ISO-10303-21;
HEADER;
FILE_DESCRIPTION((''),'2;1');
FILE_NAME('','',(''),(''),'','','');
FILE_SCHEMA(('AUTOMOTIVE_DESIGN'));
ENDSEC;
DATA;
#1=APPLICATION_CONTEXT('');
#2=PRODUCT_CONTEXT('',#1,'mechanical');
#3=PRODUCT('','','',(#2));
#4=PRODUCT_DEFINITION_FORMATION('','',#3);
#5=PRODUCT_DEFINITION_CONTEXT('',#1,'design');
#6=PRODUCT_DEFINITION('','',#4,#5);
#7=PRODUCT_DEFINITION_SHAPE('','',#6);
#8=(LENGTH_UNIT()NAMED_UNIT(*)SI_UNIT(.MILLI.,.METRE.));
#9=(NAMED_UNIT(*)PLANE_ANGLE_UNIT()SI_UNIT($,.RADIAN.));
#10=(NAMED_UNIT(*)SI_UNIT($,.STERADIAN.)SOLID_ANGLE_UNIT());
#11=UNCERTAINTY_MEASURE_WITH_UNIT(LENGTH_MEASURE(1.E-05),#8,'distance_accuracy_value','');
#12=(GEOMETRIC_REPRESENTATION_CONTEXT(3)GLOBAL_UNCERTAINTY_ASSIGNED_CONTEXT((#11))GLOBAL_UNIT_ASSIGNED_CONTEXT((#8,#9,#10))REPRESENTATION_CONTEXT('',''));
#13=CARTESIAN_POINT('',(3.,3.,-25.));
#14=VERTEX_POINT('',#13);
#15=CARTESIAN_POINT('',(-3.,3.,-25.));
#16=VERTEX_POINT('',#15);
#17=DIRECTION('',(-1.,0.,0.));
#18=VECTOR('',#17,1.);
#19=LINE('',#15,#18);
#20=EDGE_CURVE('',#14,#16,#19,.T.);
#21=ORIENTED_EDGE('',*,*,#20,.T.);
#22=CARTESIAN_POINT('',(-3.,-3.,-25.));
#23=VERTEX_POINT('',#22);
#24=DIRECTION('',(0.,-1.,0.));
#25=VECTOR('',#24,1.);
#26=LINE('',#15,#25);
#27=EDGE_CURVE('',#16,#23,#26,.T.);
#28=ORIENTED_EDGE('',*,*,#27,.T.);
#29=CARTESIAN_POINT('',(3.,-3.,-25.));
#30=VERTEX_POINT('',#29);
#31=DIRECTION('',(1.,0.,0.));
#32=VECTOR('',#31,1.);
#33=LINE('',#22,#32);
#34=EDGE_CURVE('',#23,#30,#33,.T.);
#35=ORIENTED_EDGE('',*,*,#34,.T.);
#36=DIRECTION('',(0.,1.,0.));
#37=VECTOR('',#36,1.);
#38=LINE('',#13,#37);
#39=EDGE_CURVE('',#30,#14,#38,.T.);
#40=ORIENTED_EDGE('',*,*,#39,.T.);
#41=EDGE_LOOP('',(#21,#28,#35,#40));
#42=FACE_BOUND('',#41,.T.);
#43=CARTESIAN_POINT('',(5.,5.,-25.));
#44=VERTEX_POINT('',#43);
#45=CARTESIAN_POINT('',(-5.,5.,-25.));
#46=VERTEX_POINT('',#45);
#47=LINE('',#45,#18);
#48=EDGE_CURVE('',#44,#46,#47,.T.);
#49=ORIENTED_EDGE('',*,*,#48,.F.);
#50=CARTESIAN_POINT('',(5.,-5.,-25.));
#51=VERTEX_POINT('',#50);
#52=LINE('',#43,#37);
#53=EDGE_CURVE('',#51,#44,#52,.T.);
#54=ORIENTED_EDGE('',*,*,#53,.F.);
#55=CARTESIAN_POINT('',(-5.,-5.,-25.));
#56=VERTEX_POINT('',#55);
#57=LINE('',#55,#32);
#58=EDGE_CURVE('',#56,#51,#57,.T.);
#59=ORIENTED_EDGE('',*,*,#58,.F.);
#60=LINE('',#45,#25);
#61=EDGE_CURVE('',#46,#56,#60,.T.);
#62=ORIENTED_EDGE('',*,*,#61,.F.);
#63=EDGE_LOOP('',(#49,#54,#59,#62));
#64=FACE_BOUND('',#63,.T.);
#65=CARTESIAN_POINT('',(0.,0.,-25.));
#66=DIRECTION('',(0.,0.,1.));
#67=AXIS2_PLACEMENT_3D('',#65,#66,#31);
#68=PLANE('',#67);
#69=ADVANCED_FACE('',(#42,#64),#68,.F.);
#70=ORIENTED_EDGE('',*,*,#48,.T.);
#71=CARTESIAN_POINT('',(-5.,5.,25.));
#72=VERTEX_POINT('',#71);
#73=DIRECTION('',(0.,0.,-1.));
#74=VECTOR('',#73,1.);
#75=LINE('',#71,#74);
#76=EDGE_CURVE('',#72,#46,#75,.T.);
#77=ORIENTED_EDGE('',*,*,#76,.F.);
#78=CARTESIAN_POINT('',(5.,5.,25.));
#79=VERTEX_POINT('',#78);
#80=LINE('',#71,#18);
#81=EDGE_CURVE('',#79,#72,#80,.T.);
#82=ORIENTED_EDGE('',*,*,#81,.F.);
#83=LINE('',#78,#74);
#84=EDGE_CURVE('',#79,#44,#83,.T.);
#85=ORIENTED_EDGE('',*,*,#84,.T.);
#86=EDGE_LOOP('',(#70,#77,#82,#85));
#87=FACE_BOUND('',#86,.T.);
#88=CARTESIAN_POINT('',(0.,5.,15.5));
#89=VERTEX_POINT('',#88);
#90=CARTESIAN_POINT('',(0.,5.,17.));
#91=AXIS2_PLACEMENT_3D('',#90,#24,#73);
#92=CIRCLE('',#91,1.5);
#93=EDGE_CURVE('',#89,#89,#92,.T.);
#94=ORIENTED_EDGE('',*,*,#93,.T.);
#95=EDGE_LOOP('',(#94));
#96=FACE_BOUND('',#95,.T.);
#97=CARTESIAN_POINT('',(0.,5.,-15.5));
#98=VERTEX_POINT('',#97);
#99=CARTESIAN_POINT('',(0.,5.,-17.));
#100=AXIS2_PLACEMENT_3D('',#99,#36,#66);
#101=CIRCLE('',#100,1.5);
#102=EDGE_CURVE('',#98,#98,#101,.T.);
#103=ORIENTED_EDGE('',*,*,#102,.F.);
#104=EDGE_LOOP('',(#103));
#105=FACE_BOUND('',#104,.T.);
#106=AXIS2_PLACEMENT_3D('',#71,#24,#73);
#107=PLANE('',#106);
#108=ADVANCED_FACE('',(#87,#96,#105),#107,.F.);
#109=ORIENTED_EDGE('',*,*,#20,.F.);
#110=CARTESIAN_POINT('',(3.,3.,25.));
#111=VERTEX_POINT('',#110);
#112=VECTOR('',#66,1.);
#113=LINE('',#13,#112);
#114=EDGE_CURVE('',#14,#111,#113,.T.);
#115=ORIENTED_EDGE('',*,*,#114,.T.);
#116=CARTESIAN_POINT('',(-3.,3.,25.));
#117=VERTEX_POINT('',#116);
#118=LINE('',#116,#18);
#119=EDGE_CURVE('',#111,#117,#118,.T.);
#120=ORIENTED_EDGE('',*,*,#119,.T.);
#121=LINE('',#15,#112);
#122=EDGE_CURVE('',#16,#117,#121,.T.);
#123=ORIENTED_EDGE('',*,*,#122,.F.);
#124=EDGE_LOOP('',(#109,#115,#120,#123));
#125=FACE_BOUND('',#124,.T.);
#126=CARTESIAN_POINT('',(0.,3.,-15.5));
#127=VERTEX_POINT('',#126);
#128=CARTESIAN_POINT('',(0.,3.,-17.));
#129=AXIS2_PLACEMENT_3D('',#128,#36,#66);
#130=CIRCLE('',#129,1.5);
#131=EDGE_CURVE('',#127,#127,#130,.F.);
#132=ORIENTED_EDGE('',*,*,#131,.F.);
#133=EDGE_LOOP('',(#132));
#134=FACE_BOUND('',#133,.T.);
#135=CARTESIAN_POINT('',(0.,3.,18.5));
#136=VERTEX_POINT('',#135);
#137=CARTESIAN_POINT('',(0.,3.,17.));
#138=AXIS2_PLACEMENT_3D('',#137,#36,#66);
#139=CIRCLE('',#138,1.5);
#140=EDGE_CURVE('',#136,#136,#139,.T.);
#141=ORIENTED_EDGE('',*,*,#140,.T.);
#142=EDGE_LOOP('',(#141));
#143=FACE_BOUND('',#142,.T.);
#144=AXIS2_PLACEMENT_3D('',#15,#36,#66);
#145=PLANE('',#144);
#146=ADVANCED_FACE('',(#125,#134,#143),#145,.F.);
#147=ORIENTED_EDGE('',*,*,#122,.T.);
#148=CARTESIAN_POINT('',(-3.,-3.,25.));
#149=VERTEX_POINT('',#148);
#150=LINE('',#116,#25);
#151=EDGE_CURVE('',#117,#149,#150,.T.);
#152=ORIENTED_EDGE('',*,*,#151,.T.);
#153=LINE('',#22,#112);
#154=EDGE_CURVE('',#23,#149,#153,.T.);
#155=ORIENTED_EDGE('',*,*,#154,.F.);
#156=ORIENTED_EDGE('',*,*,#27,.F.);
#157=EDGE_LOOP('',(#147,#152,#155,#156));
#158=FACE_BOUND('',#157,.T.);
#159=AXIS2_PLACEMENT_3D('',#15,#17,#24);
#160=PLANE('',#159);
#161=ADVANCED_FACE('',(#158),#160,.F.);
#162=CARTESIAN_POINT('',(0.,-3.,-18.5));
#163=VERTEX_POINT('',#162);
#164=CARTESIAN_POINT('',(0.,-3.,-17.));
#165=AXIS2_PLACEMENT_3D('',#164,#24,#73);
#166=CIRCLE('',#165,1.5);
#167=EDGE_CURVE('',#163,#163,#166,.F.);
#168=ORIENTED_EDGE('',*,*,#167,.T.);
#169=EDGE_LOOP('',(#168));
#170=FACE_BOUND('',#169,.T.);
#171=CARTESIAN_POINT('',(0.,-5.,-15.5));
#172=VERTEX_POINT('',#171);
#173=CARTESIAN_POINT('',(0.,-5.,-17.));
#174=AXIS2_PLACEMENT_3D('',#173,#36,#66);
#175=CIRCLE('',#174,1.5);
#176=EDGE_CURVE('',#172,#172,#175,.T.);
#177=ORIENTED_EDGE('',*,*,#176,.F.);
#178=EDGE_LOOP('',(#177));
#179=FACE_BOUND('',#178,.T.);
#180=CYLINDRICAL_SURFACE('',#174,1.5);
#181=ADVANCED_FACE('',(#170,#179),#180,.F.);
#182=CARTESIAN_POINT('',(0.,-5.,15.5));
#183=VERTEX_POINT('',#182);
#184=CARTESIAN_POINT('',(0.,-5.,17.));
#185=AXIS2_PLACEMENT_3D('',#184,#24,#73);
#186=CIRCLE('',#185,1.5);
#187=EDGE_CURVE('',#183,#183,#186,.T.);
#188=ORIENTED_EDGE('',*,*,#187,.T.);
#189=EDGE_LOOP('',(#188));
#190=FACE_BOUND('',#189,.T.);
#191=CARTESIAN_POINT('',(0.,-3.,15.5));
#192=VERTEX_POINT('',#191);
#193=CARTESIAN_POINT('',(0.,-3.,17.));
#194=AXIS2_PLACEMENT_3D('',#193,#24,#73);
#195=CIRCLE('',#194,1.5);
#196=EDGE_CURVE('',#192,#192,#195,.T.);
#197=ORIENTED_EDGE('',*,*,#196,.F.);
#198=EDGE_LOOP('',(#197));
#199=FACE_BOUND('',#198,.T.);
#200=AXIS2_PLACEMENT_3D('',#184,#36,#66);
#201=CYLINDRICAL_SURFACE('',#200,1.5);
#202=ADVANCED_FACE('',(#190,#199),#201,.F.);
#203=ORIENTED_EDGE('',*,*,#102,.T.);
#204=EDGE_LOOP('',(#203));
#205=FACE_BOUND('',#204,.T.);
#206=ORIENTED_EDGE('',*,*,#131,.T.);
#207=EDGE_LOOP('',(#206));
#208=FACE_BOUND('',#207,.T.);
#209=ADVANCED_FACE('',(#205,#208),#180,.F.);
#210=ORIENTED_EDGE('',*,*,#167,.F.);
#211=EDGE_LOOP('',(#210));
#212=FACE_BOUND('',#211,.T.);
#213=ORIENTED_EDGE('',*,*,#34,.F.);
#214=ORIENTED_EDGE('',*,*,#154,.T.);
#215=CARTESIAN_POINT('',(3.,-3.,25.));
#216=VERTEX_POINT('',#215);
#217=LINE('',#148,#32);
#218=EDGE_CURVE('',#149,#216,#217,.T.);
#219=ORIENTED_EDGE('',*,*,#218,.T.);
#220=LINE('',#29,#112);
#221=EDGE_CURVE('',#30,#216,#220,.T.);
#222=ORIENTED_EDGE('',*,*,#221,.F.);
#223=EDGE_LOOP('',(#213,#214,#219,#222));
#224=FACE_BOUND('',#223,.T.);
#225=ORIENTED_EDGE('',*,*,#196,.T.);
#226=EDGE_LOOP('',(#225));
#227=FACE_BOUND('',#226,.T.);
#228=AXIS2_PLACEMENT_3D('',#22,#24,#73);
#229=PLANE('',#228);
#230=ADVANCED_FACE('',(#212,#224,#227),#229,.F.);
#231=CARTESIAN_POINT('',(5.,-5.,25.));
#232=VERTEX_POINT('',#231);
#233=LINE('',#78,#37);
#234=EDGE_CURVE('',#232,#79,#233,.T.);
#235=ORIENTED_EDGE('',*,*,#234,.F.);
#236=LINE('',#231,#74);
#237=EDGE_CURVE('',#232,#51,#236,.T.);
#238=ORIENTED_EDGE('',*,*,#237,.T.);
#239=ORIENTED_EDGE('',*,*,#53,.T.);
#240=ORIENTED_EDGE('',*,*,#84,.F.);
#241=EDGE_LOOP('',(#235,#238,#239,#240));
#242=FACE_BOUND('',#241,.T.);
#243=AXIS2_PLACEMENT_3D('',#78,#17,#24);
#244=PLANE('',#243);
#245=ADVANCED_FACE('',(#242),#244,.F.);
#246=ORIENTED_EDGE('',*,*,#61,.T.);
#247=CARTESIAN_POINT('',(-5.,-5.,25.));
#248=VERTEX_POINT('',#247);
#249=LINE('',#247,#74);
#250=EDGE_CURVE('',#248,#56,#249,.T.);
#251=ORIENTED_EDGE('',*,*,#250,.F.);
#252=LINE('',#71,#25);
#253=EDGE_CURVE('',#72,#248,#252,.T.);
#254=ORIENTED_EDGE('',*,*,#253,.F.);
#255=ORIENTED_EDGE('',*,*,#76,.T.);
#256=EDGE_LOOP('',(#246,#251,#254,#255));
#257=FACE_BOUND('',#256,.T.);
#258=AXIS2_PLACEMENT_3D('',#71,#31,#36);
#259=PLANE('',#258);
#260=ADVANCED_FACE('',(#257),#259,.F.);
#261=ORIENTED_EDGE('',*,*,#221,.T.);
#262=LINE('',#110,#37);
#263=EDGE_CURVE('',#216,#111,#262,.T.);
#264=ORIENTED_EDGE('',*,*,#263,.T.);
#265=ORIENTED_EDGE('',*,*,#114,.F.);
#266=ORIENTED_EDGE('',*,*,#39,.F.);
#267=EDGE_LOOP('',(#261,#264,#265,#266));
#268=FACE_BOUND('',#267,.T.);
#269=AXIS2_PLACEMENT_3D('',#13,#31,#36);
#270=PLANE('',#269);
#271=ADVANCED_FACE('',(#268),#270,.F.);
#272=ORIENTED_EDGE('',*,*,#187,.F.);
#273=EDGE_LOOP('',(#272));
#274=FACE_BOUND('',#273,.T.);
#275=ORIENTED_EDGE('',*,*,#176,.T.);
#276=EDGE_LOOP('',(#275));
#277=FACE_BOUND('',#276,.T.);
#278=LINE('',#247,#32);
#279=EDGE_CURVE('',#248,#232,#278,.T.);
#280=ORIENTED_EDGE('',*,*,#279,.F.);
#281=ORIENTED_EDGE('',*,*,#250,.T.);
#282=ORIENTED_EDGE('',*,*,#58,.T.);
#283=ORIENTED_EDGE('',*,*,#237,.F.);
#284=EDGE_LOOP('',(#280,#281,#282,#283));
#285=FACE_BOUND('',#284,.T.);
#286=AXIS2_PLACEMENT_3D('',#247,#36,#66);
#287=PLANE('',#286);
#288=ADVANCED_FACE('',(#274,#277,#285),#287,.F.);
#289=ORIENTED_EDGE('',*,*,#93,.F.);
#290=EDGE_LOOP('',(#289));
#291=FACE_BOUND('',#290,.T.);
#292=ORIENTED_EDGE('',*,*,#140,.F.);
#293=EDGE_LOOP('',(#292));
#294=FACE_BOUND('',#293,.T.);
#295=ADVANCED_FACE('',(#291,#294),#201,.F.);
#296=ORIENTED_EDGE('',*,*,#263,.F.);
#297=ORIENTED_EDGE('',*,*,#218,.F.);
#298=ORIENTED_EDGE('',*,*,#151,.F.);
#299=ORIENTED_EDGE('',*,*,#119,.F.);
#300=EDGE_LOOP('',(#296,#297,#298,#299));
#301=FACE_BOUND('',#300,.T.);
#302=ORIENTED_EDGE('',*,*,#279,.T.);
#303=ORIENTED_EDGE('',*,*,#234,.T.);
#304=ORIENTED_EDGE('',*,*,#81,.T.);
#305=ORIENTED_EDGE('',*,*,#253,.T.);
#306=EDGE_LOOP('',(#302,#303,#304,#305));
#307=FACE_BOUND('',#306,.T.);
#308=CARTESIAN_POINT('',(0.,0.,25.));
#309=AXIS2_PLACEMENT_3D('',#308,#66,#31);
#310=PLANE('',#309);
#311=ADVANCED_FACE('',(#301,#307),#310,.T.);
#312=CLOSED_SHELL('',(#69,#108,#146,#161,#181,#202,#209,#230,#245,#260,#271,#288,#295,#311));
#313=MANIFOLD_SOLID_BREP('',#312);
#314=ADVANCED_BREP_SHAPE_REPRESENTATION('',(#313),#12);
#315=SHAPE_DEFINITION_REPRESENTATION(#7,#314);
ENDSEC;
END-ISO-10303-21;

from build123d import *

# Parameters (mm, degrees)
SKETCH_2_W               = 10
SKETCH_2_H               = 10
EXTRUDE_1_DEPTH          = 25
SKETCH_3_R               = 1.5
CUT_EXTRUDE_1_DEPTH      = 28.386127875
CUT_EXTRUDE_2_DEPTH      = 51.497524692
CUT_EXTRUDE_2_DEPTH_BACK = 51.497524692
SKETCH_4_W               = 6
SKETCH_4_H               = 6


with BuildPart() as part:
    # 草图2 → 凸台-拉伸1 (new, symmetric)
    with BuildSketch(Plane.XY):
        Rectangle(SKETCH_2_W, SKETCH_2_H)
    extrude(amount=EXTRUDE_1_DEPTH, both=True)

    # 草图3 → 切除-拉伸1 (cut, symmetric)
    with BuildSketch(Plane(origin=(0, 5, 0), x_dir=(1, 0, 0), z_dir=(0, 1, 0))):
        with Locations(Location((0, 17, 0), (0, 0, 270))):
            Circle(SKETCH_3_R)
    cut_extrude_1 = extrude(amount=CUT_EXTRUDE_1_DEPTH, both=True, mode=Mode.SUBTRACT)

    # 镜向1: 切除-拉伸1 across plane
    add(cut_extrude_1.mirror(Plane.XY), mode=Mode.SUBTRACT)

    # 草图4 → 切除-拉伸2 (cut, two sides: drawn at the far end of the back side and taken through both)
    with BuildSketch(Plane.XY.offset(25).offset(-CUT_EXTRUDE_2_DEPTH_BACK)):
        Rectangle(SKETCH_4_W, SKETCH_4_H)
    extrude(amount=CUT_EXTRUDE_2_DEPTH + CUT_EXTRUDE_2_DEPTH_BACK, mode=Mode.SUBTRACT)


solid = part.part
